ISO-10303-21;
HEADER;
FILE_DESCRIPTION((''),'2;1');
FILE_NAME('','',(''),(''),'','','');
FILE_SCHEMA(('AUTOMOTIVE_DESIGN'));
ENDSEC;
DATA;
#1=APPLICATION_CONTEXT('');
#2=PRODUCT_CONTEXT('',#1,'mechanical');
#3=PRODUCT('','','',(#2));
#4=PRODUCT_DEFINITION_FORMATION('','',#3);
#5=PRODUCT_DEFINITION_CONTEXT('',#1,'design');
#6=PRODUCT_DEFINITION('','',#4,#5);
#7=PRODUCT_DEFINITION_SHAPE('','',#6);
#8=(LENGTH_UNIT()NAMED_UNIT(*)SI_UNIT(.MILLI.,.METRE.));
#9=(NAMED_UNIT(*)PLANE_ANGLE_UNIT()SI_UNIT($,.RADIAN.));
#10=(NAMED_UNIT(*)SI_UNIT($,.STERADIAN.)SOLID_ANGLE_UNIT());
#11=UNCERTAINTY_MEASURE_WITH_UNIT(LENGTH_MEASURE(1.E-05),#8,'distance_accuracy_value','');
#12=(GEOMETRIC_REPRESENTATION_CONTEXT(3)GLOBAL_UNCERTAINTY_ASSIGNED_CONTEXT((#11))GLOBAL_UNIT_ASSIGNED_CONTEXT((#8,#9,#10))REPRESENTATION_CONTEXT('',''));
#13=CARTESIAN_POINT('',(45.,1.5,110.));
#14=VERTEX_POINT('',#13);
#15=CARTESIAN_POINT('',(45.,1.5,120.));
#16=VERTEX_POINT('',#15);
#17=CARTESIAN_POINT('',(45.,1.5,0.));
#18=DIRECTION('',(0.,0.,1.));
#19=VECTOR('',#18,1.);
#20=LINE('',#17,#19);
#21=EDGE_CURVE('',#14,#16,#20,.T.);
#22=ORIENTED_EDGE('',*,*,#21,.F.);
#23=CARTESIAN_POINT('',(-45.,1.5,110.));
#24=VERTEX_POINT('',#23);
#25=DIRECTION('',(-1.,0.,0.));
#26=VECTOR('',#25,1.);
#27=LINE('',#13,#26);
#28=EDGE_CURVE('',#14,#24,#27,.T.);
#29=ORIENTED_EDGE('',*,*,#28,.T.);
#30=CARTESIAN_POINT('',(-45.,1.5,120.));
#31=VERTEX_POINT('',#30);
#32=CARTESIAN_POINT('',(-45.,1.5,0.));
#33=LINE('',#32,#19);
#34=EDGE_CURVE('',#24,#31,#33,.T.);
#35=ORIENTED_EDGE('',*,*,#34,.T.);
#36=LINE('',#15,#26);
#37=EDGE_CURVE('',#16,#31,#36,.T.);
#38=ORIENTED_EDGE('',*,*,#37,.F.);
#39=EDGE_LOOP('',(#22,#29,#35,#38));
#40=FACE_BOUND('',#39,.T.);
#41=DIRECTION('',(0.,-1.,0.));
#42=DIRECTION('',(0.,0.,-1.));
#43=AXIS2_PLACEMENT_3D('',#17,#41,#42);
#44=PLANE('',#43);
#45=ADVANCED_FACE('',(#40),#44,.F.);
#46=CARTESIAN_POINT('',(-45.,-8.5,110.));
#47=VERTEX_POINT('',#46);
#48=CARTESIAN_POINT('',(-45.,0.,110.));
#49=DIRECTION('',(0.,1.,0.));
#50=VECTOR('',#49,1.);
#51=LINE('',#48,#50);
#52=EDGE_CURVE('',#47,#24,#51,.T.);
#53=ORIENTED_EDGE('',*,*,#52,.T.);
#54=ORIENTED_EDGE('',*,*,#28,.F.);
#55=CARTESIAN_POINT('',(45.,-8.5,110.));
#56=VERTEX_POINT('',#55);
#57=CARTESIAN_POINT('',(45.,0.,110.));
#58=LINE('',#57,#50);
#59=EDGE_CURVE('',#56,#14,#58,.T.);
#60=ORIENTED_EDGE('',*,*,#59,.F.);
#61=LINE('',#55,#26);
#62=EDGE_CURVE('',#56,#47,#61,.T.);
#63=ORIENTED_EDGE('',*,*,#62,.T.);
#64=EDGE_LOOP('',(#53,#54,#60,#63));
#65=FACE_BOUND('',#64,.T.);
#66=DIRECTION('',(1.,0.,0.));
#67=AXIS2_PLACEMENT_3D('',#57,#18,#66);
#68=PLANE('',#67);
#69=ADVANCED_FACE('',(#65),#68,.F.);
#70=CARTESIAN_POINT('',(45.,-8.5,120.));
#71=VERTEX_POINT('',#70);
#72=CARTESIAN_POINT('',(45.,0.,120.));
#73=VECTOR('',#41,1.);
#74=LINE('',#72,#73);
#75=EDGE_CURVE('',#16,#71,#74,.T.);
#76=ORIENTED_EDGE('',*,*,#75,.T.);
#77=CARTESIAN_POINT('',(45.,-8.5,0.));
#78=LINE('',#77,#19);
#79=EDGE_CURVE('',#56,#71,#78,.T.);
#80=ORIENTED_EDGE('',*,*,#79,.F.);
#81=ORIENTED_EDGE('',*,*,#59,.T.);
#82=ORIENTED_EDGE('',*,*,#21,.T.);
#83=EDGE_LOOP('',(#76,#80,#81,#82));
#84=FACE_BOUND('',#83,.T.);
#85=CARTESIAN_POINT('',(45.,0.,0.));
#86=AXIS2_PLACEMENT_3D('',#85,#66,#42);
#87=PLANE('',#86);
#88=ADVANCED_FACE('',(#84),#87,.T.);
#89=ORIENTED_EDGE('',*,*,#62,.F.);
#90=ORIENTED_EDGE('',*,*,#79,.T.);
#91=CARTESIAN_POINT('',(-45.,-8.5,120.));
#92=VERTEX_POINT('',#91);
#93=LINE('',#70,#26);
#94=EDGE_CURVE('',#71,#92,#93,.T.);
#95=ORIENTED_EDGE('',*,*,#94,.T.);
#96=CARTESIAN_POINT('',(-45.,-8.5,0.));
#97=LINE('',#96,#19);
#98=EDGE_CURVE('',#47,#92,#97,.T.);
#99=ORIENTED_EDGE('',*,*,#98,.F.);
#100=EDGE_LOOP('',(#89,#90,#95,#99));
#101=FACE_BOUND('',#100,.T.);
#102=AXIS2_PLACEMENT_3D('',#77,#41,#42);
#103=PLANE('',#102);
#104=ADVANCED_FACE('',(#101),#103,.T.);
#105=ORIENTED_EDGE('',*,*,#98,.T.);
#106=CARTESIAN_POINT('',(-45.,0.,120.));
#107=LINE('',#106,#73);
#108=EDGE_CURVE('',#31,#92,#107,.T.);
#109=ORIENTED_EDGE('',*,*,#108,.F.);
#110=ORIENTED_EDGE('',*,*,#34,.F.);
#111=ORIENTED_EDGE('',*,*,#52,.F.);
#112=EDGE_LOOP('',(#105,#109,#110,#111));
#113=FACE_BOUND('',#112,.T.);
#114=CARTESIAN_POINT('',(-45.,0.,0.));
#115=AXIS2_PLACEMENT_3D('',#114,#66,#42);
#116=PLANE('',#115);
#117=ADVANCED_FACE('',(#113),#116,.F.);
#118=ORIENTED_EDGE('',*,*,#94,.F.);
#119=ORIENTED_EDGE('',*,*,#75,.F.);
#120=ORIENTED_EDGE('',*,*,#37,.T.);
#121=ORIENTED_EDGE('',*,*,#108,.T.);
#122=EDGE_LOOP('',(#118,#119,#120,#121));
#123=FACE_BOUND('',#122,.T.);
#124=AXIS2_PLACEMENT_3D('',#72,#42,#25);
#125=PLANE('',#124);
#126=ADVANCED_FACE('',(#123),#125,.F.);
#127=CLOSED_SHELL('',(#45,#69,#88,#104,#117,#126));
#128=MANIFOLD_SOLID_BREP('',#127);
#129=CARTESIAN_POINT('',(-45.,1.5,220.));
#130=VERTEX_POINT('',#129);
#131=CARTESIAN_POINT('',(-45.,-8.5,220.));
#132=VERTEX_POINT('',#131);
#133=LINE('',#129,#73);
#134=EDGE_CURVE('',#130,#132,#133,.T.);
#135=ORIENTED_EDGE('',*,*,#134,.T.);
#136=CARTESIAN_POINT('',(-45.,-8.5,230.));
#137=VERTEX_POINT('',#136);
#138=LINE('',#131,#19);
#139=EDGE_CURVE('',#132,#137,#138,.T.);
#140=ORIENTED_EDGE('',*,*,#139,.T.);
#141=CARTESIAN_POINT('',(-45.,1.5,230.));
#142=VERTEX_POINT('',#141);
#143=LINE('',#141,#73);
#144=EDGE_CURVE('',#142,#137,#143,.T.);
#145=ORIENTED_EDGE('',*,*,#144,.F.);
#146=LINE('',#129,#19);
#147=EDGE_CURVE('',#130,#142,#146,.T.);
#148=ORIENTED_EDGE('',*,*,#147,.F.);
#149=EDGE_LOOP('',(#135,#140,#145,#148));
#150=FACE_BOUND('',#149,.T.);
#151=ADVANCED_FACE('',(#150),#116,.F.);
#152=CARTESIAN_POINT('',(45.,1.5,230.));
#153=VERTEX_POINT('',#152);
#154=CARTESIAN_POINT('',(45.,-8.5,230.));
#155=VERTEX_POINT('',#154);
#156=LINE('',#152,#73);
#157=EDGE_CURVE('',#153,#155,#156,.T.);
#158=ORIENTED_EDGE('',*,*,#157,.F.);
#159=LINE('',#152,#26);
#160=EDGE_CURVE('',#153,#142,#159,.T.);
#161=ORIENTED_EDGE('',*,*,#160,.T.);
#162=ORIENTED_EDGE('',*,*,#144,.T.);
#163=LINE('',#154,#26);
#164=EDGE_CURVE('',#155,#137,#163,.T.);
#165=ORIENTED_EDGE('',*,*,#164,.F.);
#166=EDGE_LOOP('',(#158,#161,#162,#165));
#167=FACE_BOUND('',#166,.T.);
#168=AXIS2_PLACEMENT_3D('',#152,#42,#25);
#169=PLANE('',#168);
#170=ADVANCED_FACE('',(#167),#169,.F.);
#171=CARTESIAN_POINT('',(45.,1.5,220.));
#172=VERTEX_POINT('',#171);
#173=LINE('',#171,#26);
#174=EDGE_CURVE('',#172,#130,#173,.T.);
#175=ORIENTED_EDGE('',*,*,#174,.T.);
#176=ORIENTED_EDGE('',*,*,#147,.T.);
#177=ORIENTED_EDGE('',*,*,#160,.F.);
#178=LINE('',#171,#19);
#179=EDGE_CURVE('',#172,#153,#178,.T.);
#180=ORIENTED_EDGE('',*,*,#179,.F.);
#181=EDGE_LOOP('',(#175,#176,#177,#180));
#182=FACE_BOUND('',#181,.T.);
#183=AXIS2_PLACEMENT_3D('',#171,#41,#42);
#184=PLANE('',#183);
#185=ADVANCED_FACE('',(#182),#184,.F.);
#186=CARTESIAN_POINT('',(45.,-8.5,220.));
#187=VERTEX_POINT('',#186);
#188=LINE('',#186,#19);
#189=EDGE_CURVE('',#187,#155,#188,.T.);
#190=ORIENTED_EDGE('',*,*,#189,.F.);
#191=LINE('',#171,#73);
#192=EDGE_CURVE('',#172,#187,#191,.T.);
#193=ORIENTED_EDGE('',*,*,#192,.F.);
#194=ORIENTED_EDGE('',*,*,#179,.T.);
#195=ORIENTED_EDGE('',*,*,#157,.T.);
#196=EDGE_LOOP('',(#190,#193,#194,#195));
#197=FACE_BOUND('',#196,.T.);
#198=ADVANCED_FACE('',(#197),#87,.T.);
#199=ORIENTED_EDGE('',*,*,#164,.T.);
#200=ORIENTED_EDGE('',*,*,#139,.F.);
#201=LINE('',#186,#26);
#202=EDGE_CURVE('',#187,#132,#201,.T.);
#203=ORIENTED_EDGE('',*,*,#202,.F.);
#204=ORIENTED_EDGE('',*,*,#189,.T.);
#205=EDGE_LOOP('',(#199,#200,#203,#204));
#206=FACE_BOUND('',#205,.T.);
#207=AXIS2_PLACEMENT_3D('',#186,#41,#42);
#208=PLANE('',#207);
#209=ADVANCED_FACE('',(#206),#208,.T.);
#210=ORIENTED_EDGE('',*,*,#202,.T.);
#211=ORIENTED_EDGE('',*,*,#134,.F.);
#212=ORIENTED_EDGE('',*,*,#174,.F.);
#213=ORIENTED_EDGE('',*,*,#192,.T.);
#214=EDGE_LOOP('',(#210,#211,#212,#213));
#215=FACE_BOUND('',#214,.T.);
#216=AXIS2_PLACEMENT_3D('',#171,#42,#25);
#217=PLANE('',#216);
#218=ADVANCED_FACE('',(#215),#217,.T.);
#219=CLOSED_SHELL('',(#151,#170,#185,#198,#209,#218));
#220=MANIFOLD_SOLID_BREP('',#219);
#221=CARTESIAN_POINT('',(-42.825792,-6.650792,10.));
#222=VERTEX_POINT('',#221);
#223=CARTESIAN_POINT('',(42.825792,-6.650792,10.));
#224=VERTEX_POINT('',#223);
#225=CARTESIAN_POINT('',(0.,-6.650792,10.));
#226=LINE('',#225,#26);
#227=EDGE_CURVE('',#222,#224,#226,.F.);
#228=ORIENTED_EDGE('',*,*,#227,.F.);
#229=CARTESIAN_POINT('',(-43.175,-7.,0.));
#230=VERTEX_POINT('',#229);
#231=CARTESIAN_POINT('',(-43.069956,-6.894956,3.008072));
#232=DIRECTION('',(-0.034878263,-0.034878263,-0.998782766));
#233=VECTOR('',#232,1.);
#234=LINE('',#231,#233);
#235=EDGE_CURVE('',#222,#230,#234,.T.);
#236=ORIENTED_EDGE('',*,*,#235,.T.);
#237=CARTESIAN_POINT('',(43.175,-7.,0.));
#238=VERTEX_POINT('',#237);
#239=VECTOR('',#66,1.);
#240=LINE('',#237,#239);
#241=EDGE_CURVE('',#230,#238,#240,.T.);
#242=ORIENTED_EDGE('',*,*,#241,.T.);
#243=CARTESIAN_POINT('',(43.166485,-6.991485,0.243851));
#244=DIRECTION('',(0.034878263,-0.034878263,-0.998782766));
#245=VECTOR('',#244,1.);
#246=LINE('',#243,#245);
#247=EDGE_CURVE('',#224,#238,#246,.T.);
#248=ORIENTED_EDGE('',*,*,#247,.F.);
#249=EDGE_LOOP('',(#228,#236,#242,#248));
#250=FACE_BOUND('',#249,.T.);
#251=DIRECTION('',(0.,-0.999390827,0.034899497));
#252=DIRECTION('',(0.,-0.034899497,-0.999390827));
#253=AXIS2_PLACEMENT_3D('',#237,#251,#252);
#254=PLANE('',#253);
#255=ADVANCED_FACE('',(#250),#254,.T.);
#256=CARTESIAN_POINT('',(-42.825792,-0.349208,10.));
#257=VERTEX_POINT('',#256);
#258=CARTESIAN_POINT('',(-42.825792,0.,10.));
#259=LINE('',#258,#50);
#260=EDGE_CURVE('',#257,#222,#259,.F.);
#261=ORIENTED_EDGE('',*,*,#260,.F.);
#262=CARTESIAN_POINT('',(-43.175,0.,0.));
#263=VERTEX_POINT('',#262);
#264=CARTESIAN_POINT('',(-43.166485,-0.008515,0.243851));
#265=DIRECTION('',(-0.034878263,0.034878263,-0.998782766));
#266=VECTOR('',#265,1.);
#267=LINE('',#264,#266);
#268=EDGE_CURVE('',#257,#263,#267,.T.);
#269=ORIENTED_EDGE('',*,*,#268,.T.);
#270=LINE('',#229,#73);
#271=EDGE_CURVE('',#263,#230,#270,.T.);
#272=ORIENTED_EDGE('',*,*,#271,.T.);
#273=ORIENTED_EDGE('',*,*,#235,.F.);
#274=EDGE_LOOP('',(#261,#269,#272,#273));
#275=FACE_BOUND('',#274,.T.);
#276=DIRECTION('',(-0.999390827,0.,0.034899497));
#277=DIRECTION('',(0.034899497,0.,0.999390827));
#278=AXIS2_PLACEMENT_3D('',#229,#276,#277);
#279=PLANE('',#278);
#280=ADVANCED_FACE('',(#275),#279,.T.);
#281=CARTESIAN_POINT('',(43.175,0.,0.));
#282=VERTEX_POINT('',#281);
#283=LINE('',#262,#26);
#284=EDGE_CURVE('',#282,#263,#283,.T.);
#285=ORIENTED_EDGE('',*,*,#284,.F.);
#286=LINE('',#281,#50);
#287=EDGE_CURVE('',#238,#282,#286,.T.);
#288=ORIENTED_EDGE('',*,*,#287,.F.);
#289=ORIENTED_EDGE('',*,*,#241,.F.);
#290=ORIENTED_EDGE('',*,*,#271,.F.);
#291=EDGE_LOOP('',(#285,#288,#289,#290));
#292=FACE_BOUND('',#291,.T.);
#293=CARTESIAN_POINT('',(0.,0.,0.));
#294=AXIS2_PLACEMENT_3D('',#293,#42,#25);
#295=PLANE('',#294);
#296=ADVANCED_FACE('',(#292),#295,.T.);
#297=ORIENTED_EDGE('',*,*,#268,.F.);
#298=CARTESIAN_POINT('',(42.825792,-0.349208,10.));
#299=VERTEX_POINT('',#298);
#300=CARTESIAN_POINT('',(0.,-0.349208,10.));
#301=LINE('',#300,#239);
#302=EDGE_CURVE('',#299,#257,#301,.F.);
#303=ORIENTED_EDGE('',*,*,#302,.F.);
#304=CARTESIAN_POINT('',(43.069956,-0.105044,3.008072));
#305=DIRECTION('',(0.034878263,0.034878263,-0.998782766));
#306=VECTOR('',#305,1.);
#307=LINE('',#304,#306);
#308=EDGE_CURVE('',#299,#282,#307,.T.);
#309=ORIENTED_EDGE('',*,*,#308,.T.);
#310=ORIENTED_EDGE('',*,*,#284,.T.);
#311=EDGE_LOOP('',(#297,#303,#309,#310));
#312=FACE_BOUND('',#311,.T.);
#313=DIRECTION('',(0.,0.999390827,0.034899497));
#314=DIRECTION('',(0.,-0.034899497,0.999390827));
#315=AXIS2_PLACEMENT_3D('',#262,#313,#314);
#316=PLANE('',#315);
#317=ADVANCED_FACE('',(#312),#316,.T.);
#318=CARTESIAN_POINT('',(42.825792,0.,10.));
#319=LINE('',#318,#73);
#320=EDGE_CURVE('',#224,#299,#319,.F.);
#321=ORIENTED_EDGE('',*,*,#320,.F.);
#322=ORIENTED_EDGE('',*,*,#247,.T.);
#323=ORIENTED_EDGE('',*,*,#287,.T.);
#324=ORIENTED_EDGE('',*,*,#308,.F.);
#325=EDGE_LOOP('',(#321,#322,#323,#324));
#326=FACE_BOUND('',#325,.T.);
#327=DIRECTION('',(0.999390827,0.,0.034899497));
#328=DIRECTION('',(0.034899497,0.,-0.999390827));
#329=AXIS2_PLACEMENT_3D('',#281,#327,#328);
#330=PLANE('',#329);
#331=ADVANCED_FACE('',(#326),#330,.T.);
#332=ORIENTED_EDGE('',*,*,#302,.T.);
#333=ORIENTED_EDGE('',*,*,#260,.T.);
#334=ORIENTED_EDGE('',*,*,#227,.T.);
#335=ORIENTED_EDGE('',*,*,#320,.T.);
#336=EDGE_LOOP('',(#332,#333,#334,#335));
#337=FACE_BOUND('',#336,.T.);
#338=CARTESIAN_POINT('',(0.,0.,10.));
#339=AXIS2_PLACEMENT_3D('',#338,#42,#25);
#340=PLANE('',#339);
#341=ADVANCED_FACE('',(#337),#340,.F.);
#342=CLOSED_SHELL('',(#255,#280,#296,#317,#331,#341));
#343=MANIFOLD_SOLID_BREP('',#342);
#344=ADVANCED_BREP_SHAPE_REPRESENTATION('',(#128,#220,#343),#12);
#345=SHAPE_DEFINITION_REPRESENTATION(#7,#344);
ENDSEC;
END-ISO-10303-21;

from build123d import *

# Parameters (mm, degrees)
SKETCH1_W             = 86.35
SKETCH1_H             = 7
BOSS_EXTRUDE1_DEPTH   = 10
BOSS_EXTRUDE1_TAPER   = 2
SKETCH2_W             = 10
SKETCH2_H             = 10
BOSS_EXTRUDE2_DEPTH   = 45
BOSS_EXTRUDE2_2_DEPTH = 45


with BuildPart() as part:
    # Sketch1 → Boss-Extrude1 (new body)
    with BuildSketch(Plane.XY):
        with Locations((0, -3.5)):
            Rectangle(SKETCH1_W, SKETCH1_H)
    extrude(amount=BOSS_EXTRUDE1_DEPTH, taper=BOSS_EXTRUDE1_TAPER)


with BuildPart() as body_2:
    # Sketch2 → Boss-Extrude2 (new, symmetric)
    with BuildSketch(Plane(origin=(0, 0, 0), x_dir=(0, 0, -1), z_dir=(1, 0, 0))):
        with Locations((-115, -3.5)):
            Rectangle(SKETCH2_W, SKETCH2_H)
    extrude(amount=BOSS_EXTRUDE2_DEPTH, both=True)


with BuildPart() as body_3:
    # Sketch2 → Boss-Extrude2 2 (new, symmetric)
    with BuildSketch(Plane(origin=(0, 0, 0), x_dir=(0, 0, -1), z_dir=(1, 0, 0))):
        with Locations((-225, -3.5)):
            Rectangle(SKETCH2_W, SKETCH2_H)
    extrude(amount=BOSS_EXTRUDE2_2_DEPTH, both=True)


solid = Compound([part.part, body_2.part, body_3.part])
